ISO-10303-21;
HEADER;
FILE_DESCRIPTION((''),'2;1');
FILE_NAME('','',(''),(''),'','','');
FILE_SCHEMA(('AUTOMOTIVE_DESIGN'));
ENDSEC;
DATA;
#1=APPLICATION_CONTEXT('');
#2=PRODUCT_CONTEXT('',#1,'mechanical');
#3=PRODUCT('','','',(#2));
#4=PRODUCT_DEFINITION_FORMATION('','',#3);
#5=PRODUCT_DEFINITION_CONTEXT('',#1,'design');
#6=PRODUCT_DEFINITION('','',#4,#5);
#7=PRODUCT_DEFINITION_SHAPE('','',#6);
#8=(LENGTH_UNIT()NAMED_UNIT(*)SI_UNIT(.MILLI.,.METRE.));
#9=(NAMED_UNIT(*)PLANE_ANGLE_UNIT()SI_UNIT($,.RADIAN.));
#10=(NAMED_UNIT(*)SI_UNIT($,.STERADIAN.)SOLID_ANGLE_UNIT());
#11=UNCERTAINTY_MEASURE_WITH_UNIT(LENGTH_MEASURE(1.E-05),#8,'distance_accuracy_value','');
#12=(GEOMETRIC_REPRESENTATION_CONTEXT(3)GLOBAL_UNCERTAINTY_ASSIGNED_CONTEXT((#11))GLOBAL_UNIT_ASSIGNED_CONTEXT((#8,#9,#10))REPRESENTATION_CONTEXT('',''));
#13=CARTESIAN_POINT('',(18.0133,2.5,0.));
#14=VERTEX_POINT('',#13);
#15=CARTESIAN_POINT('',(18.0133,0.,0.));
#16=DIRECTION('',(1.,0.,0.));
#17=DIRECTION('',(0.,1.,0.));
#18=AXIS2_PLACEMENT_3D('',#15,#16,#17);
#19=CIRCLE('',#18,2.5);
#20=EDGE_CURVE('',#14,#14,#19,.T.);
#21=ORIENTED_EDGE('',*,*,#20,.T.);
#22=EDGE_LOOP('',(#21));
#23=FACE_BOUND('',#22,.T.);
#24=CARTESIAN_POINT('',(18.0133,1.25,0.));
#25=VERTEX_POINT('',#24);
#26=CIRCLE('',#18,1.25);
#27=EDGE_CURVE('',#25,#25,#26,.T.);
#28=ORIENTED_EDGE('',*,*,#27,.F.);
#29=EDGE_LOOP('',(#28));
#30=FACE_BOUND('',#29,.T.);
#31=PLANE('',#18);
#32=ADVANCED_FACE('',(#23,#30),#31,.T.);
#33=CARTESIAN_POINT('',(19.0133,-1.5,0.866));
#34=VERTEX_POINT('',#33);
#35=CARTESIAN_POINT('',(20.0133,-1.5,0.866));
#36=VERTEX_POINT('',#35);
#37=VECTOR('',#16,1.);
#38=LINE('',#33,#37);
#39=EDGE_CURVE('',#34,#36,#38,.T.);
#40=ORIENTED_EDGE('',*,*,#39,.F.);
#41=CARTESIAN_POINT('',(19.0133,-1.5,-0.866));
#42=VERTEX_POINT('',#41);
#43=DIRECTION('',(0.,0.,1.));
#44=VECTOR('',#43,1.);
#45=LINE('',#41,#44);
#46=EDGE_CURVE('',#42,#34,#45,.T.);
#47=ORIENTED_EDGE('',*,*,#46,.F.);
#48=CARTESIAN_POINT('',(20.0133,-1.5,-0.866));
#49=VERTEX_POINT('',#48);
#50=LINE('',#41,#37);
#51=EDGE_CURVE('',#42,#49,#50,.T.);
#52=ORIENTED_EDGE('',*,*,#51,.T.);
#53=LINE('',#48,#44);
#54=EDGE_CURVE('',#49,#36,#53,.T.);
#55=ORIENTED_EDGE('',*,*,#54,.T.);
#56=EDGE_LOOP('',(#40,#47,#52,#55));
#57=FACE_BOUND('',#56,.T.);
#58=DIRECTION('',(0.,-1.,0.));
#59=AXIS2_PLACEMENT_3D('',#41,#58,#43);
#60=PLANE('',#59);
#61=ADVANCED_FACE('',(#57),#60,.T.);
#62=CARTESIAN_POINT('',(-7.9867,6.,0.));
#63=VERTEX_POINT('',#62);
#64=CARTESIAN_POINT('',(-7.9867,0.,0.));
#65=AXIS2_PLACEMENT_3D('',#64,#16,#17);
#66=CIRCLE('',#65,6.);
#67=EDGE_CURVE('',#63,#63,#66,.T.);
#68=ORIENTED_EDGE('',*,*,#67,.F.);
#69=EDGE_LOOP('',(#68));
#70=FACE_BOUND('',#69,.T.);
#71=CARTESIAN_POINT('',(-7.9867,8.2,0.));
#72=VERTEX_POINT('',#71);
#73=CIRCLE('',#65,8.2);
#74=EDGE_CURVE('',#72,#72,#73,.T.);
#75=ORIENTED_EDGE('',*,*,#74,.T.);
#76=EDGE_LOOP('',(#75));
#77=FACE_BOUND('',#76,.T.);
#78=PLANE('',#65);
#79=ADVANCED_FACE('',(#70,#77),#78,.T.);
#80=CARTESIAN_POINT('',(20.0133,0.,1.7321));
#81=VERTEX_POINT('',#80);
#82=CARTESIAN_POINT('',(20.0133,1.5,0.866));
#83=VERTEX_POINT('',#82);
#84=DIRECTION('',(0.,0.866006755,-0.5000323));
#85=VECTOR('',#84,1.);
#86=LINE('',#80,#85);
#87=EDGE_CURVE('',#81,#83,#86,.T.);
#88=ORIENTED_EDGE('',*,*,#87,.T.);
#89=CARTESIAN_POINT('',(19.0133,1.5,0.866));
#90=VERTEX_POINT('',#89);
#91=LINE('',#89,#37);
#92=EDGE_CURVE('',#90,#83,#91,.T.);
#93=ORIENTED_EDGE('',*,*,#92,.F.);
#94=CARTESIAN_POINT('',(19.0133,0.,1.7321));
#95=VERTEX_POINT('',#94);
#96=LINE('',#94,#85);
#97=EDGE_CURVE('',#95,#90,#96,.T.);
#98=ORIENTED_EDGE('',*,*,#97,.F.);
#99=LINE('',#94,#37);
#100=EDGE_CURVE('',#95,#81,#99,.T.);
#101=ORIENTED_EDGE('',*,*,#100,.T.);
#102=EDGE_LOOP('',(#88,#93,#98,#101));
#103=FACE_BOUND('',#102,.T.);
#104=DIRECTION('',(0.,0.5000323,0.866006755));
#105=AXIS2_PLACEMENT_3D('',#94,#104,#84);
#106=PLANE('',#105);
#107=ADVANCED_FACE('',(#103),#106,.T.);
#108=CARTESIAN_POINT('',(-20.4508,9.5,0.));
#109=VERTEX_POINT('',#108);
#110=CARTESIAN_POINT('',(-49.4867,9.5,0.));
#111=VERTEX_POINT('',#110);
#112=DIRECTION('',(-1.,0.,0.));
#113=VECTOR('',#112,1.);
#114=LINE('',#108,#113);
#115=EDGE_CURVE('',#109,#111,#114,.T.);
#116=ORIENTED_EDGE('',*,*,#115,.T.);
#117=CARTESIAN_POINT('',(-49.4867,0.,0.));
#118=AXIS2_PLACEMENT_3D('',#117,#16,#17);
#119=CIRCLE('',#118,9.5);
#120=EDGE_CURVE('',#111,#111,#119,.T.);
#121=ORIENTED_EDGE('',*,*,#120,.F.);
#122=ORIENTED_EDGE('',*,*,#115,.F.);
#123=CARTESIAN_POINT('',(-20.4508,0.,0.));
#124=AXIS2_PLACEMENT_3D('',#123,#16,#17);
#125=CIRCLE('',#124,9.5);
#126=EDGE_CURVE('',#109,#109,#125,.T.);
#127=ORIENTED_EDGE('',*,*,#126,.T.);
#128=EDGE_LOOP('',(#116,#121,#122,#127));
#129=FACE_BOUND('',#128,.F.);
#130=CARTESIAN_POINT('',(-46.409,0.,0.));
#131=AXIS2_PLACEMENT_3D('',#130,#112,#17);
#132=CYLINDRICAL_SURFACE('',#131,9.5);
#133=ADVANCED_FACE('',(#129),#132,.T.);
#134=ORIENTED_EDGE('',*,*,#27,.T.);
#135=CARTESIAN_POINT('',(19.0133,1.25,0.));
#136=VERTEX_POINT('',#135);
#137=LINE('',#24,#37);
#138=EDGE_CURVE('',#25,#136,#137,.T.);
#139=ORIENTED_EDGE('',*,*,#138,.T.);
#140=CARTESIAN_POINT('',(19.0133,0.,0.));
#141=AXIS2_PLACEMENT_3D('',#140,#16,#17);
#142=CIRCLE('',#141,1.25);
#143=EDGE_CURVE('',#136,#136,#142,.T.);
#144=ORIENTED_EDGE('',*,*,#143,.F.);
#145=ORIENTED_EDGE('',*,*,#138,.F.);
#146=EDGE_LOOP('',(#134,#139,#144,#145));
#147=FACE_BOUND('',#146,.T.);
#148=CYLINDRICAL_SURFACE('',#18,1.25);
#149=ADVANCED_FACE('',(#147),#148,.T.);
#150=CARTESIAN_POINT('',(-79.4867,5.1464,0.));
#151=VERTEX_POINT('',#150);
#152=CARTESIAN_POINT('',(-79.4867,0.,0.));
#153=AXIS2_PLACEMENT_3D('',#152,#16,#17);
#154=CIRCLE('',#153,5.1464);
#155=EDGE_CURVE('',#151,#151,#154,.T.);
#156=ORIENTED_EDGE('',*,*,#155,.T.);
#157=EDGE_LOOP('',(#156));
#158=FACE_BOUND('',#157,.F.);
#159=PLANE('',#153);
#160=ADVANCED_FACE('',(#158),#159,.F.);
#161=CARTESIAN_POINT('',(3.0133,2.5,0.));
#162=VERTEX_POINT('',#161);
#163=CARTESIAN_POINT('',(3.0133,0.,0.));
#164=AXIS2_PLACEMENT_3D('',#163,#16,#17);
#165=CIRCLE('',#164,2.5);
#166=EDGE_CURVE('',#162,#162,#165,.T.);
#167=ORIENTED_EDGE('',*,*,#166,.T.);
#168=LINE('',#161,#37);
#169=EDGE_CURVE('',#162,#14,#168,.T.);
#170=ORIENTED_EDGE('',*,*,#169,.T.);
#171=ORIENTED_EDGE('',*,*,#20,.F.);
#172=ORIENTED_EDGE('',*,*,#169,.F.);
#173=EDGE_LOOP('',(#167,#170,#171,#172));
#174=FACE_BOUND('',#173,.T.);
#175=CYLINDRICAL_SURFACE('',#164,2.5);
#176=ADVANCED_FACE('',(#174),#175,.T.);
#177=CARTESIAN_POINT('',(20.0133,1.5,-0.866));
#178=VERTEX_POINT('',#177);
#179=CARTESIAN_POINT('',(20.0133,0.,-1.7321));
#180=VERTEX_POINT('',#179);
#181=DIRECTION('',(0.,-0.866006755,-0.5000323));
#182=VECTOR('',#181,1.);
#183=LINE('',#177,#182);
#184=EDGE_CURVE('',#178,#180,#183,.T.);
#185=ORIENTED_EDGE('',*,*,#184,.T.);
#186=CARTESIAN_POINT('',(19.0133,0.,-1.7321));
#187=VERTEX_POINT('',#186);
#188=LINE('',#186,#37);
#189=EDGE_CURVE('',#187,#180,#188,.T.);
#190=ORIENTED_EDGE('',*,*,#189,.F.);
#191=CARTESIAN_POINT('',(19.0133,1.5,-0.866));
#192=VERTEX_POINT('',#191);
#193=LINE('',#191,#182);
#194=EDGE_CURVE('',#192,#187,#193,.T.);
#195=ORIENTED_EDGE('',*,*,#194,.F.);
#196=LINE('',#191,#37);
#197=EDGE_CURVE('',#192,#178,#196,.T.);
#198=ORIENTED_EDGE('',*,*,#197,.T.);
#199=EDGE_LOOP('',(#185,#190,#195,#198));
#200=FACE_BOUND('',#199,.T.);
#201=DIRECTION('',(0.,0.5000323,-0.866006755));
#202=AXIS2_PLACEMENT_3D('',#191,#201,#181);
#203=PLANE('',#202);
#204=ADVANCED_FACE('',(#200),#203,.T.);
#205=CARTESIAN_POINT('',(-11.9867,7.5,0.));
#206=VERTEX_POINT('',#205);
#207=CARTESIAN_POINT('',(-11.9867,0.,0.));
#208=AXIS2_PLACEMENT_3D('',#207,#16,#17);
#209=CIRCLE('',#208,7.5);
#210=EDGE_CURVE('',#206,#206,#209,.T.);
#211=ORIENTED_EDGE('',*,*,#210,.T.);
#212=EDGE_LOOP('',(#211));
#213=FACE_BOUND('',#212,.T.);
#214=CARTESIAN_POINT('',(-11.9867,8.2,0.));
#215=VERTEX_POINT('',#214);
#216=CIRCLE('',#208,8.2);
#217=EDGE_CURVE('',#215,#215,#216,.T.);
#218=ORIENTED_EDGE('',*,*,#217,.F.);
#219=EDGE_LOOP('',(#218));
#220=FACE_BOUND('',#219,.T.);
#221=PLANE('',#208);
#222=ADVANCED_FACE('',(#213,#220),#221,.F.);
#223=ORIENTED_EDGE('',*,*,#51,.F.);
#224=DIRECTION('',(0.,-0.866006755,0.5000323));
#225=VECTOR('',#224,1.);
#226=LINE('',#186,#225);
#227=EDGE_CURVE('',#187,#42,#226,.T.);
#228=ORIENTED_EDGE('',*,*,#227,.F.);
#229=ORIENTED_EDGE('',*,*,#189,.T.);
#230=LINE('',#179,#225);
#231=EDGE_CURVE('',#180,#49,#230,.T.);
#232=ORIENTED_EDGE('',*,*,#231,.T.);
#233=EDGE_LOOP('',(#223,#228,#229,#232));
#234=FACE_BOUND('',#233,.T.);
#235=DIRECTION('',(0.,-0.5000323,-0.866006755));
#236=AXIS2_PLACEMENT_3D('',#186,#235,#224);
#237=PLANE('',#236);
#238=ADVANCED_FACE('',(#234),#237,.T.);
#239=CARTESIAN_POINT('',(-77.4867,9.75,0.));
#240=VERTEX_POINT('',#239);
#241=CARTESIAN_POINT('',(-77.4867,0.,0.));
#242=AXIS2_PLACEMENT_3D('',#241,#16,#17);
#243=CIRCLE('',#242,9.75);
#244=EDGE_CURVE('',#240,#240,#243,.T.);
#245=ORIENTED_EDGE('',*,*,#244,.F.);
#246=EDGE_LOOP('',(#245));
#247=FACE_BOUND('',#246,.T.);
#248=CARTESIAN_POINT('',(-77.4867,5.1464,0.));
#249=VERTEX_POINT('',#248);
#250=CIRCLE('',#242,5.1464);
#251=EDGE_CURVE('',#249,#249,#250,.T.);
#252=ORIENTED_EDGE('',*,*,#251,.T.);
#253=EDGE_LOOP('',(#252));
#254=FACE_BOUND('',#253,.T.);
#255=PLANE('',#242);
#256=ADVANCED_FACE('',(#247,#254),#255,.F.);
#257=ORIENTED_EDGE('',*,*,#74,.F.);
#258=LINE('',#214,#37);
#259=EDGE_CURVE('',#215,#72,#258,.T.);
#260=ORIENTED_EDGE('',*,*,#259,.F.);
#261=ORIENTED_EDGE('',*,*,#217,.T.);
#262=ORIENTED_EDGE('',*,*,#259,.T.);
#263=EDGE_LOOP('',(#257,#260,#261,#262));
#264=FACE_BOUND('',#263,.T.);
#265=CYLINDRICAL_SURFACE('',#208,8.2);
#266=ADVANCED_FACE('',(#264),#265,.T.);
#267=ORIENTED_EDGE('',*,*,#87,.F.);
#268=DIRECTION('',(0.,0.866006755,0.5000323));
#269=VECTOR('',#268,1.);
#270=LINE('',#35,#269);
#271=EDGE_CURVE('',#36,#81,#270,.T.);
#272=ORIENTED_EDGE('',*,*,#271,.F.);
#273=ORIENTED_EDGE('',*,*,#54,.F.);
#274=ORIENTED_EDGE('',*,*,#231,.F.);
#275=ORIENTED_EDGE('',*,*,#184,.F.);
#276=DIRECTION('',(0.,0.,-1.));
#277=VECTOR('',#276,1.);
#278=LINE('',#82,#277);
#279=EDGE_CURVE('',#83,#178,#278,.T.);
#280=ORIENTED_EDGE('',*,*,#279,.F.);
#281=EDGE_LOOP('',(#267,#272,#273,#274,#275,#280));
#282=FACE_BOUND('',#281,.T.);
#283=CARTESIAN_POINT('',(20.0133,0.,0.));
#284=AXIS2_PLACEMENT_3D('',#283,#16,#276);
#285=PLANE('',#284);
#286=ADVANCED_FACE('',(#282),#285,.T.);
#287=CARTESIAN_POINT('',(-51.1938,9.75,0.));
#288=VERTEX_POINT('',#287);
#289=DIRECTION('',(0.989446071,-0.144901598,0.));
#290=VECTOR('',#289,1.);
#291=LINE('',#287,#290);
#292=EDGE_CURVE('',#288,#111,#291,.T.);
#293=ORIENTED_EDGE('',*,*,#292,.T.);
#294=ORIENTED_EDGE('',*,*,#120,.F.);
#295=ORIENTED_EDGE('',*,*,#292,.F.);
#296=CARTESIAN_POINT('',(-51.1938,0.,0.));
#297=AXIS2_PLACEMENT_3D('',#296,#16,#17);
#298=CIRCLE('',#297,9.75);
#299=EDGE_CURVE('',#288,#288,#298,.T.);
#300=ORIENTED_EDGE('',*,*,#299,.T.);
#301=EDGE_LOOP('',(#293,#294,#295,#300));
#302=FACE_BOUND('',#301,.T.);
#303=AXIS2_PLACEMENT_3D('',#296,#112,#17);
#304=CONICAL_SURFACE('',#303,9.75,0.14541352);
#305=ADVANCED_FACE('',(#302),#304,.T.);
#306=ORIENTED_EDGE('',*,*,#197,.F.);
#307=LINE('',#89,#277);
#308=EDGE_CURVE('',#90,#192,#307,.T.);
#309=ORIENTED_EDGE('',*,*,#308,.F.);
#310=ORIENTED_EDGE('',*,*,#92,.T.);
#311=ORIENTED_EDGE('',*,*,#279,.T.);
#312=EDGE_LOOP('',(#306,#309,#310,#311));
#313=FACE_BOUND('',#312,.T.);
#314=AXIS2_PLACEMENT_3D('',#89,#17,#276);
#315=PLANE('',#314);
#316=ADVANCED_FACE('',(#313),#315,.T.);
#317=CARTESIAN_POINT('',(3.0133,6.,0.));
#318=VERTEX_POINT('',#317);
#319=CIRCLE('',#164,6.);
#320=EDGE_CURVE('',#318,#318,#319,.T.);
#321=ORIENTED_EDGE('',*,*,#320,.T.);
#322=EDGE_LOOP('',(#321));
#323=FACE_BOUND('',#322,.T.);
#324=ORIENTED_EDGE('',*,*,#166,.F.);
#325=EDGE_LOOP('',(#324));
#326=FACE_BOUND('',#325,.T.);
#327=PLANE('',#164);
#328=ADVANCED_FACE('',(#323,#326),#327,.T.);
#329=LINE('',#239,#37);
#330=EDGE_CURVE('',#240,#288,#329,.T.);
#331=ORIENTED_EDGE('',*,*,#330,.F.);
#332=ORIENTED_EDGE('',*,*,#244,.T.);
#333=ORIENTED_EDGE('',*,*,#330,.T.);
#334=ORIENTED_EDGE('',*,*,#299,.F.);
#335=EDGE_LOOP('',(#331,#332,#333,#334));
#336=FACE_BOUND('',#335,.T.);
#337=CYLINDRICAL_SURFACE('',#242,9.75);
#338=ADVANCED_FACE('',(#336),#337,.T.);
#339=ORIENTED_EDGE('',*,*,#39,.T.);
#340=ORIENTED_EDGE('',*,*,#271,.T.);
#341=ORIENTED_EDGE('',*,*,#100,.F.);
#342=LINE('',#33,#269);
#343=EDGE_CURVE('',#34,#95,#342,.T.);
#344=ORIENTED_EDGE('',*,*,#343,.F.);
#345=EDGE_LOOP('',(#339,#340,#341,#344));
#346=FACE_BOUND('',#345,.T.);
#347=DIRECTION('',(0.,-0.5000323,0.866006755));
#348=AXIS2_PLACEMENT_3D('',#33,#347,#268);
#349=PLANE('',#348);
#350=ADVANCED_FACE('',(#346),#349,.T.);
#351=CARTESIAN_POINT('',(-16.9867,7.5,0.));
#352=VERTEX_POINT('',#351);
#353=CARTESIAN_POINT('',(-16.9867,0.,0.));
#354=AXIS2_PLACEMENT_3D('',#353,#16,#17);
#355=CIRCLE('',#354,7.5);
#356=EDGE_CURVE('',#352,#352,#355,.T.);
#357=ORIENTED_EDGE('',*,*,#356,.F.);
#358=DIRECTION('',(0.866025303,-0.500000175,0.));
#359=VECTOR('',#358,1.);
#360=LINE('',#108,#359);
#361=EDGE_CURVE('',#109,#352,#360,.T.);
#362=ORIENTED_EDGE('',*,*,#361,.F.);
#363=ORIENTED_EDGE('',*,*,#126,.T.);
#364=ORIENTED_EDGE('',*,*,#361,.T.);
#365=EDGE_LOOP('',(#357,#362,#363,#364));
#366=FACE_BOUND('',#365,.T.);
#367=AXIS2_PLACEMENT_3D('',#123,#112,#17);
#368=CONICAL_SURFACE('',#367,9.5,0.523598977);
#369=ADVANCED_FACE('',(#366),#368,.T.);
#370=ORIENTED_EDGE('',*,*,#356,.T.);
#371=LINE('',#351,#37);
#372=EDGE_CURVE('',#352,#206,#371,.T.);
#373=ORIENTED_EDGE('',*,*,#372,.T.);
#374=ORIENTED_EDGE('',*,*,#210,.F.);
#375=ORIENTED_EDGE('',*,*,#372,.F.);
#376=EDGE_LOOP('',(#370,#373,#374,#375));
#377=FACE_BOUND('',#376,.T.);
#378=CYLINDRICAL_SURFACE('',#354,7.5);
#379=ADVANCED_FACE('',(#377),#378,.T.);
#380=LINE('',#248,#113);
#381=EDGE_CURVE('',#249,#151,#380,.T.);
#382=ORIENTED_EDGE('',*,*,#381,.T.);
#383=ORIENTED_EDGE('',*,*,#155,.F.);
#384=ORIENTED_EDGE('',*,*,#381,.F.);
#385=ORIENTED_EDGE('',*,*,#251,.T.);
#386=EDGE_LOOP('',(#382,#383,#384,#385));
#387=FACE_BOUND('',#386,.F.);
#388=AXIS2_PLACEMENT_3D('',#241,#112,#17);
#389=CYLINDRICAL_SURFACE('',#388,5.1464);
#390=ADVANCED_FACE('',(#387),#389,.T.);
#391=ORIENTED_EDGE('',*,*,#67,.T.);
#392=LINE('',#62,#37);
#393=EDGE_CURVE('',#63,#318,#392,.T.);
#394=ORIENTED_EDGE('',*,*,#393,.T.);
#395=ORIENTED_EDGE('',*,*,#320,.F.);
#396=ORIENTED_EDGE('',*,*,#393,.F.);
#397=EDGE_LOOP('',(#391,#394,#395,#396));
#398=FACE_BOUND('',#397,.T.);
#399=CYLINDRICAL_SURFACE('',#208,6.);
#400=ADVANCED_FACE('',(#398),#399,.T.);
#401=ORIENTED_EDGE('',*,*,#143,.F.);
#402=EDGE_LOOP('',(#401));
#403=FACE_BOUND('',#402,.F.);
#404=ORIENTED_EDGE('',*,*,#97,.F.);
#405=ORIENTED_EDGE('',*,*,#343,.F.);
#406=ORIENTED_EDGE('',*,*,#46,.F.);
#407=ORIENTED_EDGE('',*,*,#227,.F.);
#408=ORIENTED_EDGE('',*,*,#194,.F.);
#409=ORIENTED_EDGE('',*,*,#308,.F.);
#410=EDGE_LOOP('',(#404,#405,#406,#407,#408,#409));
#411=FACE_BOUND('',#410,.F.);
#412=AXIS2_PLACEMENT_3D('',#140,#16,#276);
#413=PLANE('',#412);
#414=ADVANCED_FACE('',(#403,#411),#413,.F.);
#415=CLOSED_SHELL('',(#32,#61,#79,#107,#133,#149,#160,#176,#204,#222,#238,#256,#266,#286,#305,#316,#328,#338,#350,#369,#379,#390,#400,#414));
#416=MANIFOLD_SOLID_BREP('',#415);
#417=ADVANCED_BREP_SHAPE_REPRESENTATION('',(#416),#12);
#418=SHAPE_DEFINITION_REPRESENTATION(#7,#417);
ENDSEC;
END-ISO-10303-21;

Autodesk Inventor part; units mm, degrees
ref_plane "YZ Plane" through (0, 0, 0) normal (1, 0, 0) x (0, 1, 0)
ref_plane "XZ Plane" through (0, 0, 0) normal (0, 1, 0) x (-1, 0, 0)
ref_plane "XY Plane" through (0, 0, 0) normal (0, 0, 1) x (1, 0, 0)
sketch "Sketch6" plane through (0, 0, 0) normal (0, 0, 1) x (1, 0, 0)
  line L0 (-92.0762, 0) -> (66.22, 0)
  line L1 (-77.4867, 0) -> (-77.4867, 9.75)
  line L2 (-77.4867, 9.75) -> (-67.9253, 9.75)
  line L3 (-67.9253, 9.75) -> (-67.9253, 9.75)
  line L4 (-67.9253, 9.75) -> (-51.1938, 9.75)
  line L5 (-49.4867, 8.7929) -> (-49.4867, 0)
  line L6 (-46.409, 9.5) -> (-49.4867, 9.5)
  line L7 (-49.4867, 9.5) -> (-49.4867, 8.7929)
  line L8 (-46.409, 9.5) -> (-44.9948, 9.5) construction
  line L9 (-46.409, 9.5) -> (-20.4508, 9.5)
  line L10 (-20.4508, 9.5) -> (-16.9867, 7.5)
  line L11 (-16.9867, 7.5) -> (-11.9867, 7.5)
  line L12 (-11.9867, 7.5) -> (-11.9867, 6)
  line L13 (-11.9867, 6) -> (-3.9022, 6)
  line L14 (-3.9022, 6) -> (0.0133, 6)
  line L15 (0.0133, 6) -> (0.0133, 6)
  line L16 (0.0133, 6) -> (3.0133, 6)
  line L17 (3.0133, 6) -> (3.0133, 2.5)
  line L18 (3.0133, 2.5) -> (18.0133, 2.5)
  line L19 (18.0133, 2.5) -> (18.0133, 0)
  line L20 (-77.4867, 5.1464) -> (-79.4867, 5.1464)
  line L21 (-79.4867, 5.1464) -> (-79.4867, 0)
  line L22 (-51.1938, 9.75) -> (-49.4867, 9.5)
  line L23 (-11.9867, 7.5) -> (-11.9867, 8.2)
  line L24 (-11.9867, 8.2) -> (-7.9867, 8.2)
  line L25 (-7.9867, 8.2) -> (-7.9867, 6)
  line L26 (18.0133, 1.25) -> (19.0133, 1.25)
  line L27 (19.0133, 1.25) -> (19.0133, 0)
  point P0 (0, 0)
  dimension "d23" = 19
  dimension "d28" = 150
  dimension "d31" = 3
  dimension "d32" = 12
  dimension "d33" = 15
  dimension "d34" = 12
  dimension "d35" = 5
  dimension "d36" = 2
  dimension "d37" = 67.5
  dimension "d38" = 15
  dimension "d39" = 30
  dimension "d40" = 30
  dimension "d43" = 5
  dimension "d45" = 19.5
  dimension "d46" = 0.7
  dimension "d47" = 4
  dimension "d48" = 1
revolve "Revolution1" add sketch "Sketch6" angle 360 about axis through (-92.0762, 0, 0) along (1, 0, 0)
sketch "Sketch7" plane through (19.0133, 0, 0) normal (1, 0, 0) x (0, 0, -1)
  line L0 (1.7321, 0) -> (0.866, -1.5)
  line L1 (0.866, -1.5) -> (-0.866, -1.5)
  line L2 (-0.866, -1.5) -> (-1.7321, 0)
  line L3 (-1.7321, 0) -> (-0.866, 1.5)
  line L4 (-0.866, 1.5) -> (0.866, 1.5)
  line L5 (0.866, 1.5) -> (1.7321, 0)
  point P0 (0, 0)
  point P1 (0, 0)
  dimension "d49" = 3
extrude "Extrusion6" add sketch "Sketch7" along normal blind 1
thread "Thread1" size "M12x0.5" class "6g" standard "ISO Metric profile" length 3
properties part number "3d_LM-Welding_Tooling -  Micrometer"
